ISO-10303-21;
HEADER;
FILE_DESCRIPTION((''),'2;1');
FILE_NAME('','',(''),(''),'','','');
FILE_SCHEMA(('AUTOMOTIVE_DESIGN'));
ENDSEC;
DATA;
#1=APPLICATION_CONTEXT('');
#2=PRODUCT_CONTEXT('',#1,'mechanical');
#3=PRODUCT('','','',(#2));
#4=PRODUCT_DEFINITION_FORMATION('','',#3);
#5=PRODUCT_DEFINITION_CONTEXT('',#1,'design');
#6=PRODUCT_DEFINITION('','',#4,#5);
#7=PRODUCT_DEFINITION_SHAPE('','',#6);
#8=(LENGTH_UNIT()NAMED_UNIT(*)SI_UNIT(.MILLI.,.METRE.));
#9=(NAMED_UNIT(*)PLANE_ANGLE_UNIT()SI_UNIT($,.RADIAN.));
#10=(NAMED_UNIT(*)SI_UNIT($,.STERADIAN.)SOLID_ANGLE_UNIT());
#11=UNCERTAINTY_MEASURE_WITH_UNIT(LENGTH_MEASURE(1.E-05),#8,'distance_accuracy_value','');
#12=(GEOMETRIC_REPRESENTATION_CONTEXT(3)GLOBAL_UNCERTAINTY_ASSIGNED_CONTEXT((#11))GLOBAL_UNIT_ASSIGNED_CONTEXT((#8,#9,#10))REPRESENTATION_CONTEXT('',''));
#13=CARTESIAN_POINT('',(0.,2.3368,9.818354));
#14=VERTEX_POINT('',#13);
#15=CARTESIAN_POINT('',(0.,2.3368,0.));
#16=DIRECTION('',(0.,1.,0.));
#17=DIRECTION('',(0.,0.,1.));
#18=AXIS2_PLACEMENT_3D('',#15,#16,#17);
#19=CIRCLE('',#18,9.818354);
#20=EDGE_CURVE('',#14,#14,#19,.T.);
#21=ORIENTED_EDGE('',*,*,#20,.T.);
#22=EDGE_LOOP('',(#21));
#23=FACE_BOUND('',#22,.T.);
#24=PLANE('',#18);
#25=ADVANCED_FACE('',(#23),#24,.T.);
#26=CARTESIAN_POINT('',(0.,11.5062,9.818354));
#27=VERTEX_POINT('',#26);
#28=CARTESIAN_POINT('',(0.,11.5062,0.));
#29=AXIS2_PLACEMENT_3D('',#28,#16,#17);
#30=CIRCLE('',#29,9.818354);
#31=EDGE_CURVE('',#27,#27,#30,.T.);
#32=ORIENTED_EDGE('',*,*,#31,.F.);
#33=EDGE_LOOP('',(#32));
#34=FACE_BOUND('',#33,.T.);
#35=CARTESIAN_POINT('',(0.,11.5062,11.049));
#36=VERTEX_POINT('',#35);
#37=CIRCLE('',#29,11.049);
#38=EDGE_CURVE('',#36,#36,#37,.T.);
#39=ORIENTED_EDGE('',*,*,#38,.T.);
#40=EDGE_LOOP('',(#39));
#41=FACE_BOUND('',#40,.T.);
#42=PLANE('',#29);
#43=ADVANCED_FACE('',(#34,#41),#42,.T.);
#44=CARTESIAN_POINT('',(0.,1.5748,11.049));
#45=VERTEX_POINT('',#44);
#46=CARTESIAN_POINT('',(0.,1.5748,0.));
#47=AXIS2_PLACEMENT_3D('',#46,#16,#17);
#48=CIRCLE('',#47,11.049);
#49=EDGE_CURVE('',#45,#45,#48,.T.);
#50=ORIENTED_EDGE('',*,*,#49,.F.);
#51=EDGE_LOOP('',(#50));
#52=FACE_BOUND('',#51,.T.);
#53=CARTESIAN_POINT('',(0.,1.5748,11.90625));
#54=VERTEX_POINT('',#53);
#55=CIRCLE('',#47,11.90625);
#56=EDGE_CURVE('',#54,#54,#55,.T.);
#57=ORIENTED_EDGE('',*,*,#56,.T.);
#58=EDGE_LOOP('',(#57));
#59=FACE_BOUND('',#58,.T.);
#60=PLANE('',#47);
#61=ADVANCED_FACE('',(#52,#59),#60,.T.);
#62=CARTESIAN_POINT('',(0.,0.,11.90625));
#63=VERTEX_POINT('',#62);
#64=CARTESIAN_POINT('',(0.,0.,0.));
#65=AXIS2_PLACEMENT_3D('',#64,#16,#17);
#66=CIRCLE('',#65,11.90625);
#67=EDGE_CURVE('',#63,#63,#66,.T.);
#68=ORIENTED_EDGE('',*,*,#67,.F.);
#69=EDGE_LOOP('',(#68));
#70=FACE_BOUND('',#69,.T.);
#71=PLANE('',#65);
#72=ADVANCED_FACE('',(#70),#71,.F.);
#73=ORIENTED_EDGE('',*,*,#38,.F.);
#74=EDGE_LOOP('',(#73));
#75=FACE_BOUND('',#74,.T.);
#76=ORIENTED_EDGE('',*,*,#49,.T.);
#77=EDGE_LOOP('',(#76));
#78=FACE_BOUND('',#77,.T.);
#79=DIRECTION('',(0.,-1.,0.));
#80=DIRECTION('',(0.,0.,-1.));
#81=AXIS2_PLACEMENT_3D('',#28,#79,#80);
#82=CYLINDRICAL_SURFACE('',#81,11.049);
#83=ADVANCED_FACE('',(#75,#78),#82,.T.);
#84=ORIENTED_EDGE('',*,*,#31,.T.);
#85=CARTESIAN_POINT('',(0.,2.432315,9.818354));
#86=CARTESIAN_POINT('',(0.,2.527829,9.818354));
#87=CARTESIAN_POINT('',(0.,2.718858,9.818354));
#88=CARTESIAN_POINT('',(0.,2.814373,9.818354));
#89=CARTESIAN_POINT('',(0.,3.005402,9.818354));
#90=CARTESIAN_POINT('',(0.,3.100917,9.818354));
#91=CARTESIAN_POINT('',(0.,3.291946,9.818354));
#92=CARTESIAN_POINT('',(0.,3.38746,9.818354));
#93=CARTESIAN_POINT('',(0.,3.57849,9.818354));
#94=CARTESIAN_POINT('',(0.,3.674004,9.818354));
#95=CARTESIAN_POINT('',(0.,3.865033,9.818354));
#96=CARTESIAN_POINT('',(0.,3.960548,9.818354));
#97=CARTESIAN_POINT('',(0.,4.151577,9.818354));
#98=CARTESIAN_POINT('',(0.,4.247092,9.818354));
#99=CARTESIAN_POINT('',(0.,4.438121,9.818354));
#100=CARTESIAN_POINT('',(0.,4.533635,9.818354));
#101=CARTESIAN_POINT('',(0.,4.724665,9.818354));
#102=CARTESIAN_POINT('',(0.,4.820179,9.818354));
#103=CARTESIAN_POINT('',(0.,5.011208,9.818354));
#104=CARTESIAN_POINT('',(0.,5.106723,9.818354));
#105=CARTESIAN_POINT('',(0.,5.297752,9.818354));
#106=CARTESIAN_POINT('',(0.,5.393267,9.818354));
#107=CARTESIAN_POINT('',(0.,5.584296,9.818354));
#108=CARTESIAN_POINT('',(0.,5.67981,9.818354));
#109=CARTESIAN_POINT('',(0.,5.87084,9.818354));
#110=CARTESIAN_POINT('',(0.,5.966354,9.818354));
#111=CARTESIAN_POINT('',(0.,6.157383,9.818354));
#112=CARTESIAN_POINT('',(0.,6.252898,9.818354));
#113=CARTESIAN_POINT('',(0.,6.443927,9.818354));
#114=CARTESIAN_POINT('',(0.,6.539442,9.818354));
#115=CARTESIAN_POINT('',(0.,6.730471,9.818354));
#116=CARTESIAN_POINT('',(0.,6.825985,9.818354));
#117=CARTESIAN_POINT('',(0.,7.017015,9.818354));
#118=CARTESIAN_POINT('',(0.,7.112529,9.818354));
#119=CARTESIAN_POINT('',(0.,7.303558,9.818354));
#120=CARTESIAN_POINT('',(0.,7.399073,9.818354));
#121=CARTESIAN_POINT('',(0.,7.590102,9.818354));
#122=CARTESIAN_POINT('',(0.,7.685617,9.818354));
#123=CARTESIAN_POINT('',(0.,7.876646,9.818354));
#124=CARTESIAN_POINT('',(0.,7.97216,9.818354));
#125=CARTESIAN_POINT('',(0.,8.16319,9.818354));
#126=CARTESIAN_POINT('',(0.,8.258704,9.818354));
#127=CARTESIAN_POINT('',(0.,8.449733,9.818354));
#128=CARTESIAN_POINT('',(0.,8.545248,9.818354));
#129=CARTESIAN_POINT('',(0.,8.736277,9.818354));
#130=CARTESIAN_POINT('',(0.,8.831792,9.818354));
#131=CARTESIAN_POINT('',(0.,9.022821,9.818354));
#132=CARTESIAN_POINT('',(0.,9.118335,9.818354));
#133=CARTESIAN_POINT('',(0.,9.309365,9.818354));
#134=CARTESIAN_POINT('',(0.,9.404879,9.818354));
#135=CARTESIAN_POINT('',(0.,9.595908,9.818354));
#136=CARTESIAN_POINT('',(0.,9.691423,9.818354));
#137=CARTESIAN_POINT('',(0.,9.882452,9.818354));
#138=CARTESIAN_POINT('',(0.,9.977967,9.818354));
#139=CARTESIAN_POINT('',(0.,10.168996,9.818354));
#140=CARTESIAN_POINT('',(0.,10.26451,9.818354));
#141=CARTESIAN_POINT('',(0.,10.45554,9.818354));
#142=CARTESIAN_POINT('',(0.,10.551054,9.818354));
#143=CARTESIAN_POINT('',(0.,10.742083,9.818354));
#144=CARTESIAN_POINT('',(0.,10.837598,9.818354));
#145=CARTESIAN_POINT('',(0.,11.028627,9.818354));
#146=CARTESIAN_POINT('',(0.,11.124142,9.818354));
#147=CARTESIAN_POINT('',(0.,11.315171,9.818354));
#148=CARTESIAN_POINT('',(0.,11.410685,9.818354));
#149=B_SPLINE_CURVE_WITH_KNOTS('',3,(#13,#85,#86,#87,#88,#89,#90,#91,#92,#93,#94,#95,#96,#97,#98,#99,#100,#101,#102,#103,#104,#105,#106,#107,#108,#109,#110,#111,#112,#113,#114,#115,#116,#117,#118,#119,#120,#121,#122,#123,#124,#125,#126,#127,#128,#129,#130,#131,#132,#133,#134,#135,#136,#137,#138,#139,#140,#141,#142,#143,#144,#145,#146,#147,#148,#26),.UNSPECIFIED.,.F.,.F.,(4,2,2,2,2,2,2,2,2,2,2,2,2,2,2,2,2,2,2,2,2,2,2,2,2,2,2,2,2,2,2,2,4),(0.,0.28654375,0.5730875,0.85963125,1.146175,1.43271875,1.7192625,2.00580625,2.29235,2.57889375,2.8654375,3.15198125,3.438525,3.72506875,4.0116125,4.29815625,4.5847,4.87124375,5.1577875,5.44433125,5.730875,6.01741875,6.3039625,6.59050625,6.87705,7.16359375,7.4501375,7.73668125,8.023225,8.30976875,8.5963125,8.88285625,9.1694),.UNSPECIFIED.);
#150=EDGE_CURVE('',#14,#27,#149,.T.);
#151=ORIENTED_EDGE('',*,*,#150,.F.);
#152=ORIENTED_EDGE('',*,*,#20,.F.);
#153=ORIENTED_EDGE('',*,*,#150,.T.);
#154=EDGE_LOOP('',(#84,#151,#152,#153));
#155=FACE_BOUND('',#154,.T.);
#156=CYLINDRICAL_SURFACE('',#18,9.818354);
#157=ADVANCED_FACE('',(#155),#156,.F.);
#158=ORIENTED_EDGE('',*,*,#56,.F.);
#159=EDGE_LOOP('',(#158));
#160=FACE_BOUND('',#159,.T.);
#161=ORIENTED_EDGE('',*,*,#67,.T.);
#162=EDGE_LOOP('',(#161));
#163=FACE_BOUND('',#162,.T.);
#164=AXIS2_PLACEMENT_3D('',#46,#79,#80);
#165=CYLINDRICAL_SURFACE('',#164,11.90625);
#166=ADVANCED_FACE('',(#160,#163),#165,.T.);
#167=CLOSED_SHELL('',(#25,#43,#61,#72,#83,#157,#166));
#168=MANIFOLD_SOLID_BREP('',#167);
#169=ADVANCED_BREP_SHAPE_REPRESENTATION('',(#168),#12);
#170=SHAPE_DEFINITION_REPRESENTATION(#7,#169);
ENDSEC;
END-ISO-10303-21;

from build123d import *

# Parameters (mm, degrees)
SKETCH1_R           = 11.90625
BOSS_EXTRUDE1_DEPTH = 1.5748
SKETCH2_R           = 11.049
BOSS_EXTRUDE2_DEPTH = 9.9314
SKETCH3_R           = 9.818353869
CUT_EXTRUDE1_DEPTH  = 9.1694


with BuildPart() as part:
    # Sketch1 → Boss-Extrude1 (new body)
    with BuildSketch(Plane(origin=(0, 0, 0), x_dir=(1, 0, 0), z_dir=(0, 1, 0))):
        with Locations(Location((0, 0, 0), (0, 0, 270))):
            Circle(SKETCH1_R)
    extrude(amount=BOSS_EXTRUDE1_DEPTH)

    # Sketch2 → Boss-Extrude2 (add)
    with BuildSketch(Plane(origin=(0, 1.5748, 0), x_dir=(1, 0, 0), z_dir=(0, 1, 0))):
        with Locations(Location((0, 0, 0), (0, 0, 270))):
            Circle(SKETCH2_R)
    extrude(amount=BOSS_EXTRUDE2_DEPTH)

    # Sketch3 → Cut-Extrude1 (cut)
    with BuildSketch(Plane(origin=(0, 11.5062, 0), x_dir=(1, 0, 0), z_dir=(0, 1, 0))):
        with Locations(Location((0, 0, 0), (0, 0, 270))):
            Circle(SKETCH3_R)
    extrude(amount=-CUT_EXTRUDE1_DEPTH, mode=Mode.SUBTRACT)


solid = part.part
